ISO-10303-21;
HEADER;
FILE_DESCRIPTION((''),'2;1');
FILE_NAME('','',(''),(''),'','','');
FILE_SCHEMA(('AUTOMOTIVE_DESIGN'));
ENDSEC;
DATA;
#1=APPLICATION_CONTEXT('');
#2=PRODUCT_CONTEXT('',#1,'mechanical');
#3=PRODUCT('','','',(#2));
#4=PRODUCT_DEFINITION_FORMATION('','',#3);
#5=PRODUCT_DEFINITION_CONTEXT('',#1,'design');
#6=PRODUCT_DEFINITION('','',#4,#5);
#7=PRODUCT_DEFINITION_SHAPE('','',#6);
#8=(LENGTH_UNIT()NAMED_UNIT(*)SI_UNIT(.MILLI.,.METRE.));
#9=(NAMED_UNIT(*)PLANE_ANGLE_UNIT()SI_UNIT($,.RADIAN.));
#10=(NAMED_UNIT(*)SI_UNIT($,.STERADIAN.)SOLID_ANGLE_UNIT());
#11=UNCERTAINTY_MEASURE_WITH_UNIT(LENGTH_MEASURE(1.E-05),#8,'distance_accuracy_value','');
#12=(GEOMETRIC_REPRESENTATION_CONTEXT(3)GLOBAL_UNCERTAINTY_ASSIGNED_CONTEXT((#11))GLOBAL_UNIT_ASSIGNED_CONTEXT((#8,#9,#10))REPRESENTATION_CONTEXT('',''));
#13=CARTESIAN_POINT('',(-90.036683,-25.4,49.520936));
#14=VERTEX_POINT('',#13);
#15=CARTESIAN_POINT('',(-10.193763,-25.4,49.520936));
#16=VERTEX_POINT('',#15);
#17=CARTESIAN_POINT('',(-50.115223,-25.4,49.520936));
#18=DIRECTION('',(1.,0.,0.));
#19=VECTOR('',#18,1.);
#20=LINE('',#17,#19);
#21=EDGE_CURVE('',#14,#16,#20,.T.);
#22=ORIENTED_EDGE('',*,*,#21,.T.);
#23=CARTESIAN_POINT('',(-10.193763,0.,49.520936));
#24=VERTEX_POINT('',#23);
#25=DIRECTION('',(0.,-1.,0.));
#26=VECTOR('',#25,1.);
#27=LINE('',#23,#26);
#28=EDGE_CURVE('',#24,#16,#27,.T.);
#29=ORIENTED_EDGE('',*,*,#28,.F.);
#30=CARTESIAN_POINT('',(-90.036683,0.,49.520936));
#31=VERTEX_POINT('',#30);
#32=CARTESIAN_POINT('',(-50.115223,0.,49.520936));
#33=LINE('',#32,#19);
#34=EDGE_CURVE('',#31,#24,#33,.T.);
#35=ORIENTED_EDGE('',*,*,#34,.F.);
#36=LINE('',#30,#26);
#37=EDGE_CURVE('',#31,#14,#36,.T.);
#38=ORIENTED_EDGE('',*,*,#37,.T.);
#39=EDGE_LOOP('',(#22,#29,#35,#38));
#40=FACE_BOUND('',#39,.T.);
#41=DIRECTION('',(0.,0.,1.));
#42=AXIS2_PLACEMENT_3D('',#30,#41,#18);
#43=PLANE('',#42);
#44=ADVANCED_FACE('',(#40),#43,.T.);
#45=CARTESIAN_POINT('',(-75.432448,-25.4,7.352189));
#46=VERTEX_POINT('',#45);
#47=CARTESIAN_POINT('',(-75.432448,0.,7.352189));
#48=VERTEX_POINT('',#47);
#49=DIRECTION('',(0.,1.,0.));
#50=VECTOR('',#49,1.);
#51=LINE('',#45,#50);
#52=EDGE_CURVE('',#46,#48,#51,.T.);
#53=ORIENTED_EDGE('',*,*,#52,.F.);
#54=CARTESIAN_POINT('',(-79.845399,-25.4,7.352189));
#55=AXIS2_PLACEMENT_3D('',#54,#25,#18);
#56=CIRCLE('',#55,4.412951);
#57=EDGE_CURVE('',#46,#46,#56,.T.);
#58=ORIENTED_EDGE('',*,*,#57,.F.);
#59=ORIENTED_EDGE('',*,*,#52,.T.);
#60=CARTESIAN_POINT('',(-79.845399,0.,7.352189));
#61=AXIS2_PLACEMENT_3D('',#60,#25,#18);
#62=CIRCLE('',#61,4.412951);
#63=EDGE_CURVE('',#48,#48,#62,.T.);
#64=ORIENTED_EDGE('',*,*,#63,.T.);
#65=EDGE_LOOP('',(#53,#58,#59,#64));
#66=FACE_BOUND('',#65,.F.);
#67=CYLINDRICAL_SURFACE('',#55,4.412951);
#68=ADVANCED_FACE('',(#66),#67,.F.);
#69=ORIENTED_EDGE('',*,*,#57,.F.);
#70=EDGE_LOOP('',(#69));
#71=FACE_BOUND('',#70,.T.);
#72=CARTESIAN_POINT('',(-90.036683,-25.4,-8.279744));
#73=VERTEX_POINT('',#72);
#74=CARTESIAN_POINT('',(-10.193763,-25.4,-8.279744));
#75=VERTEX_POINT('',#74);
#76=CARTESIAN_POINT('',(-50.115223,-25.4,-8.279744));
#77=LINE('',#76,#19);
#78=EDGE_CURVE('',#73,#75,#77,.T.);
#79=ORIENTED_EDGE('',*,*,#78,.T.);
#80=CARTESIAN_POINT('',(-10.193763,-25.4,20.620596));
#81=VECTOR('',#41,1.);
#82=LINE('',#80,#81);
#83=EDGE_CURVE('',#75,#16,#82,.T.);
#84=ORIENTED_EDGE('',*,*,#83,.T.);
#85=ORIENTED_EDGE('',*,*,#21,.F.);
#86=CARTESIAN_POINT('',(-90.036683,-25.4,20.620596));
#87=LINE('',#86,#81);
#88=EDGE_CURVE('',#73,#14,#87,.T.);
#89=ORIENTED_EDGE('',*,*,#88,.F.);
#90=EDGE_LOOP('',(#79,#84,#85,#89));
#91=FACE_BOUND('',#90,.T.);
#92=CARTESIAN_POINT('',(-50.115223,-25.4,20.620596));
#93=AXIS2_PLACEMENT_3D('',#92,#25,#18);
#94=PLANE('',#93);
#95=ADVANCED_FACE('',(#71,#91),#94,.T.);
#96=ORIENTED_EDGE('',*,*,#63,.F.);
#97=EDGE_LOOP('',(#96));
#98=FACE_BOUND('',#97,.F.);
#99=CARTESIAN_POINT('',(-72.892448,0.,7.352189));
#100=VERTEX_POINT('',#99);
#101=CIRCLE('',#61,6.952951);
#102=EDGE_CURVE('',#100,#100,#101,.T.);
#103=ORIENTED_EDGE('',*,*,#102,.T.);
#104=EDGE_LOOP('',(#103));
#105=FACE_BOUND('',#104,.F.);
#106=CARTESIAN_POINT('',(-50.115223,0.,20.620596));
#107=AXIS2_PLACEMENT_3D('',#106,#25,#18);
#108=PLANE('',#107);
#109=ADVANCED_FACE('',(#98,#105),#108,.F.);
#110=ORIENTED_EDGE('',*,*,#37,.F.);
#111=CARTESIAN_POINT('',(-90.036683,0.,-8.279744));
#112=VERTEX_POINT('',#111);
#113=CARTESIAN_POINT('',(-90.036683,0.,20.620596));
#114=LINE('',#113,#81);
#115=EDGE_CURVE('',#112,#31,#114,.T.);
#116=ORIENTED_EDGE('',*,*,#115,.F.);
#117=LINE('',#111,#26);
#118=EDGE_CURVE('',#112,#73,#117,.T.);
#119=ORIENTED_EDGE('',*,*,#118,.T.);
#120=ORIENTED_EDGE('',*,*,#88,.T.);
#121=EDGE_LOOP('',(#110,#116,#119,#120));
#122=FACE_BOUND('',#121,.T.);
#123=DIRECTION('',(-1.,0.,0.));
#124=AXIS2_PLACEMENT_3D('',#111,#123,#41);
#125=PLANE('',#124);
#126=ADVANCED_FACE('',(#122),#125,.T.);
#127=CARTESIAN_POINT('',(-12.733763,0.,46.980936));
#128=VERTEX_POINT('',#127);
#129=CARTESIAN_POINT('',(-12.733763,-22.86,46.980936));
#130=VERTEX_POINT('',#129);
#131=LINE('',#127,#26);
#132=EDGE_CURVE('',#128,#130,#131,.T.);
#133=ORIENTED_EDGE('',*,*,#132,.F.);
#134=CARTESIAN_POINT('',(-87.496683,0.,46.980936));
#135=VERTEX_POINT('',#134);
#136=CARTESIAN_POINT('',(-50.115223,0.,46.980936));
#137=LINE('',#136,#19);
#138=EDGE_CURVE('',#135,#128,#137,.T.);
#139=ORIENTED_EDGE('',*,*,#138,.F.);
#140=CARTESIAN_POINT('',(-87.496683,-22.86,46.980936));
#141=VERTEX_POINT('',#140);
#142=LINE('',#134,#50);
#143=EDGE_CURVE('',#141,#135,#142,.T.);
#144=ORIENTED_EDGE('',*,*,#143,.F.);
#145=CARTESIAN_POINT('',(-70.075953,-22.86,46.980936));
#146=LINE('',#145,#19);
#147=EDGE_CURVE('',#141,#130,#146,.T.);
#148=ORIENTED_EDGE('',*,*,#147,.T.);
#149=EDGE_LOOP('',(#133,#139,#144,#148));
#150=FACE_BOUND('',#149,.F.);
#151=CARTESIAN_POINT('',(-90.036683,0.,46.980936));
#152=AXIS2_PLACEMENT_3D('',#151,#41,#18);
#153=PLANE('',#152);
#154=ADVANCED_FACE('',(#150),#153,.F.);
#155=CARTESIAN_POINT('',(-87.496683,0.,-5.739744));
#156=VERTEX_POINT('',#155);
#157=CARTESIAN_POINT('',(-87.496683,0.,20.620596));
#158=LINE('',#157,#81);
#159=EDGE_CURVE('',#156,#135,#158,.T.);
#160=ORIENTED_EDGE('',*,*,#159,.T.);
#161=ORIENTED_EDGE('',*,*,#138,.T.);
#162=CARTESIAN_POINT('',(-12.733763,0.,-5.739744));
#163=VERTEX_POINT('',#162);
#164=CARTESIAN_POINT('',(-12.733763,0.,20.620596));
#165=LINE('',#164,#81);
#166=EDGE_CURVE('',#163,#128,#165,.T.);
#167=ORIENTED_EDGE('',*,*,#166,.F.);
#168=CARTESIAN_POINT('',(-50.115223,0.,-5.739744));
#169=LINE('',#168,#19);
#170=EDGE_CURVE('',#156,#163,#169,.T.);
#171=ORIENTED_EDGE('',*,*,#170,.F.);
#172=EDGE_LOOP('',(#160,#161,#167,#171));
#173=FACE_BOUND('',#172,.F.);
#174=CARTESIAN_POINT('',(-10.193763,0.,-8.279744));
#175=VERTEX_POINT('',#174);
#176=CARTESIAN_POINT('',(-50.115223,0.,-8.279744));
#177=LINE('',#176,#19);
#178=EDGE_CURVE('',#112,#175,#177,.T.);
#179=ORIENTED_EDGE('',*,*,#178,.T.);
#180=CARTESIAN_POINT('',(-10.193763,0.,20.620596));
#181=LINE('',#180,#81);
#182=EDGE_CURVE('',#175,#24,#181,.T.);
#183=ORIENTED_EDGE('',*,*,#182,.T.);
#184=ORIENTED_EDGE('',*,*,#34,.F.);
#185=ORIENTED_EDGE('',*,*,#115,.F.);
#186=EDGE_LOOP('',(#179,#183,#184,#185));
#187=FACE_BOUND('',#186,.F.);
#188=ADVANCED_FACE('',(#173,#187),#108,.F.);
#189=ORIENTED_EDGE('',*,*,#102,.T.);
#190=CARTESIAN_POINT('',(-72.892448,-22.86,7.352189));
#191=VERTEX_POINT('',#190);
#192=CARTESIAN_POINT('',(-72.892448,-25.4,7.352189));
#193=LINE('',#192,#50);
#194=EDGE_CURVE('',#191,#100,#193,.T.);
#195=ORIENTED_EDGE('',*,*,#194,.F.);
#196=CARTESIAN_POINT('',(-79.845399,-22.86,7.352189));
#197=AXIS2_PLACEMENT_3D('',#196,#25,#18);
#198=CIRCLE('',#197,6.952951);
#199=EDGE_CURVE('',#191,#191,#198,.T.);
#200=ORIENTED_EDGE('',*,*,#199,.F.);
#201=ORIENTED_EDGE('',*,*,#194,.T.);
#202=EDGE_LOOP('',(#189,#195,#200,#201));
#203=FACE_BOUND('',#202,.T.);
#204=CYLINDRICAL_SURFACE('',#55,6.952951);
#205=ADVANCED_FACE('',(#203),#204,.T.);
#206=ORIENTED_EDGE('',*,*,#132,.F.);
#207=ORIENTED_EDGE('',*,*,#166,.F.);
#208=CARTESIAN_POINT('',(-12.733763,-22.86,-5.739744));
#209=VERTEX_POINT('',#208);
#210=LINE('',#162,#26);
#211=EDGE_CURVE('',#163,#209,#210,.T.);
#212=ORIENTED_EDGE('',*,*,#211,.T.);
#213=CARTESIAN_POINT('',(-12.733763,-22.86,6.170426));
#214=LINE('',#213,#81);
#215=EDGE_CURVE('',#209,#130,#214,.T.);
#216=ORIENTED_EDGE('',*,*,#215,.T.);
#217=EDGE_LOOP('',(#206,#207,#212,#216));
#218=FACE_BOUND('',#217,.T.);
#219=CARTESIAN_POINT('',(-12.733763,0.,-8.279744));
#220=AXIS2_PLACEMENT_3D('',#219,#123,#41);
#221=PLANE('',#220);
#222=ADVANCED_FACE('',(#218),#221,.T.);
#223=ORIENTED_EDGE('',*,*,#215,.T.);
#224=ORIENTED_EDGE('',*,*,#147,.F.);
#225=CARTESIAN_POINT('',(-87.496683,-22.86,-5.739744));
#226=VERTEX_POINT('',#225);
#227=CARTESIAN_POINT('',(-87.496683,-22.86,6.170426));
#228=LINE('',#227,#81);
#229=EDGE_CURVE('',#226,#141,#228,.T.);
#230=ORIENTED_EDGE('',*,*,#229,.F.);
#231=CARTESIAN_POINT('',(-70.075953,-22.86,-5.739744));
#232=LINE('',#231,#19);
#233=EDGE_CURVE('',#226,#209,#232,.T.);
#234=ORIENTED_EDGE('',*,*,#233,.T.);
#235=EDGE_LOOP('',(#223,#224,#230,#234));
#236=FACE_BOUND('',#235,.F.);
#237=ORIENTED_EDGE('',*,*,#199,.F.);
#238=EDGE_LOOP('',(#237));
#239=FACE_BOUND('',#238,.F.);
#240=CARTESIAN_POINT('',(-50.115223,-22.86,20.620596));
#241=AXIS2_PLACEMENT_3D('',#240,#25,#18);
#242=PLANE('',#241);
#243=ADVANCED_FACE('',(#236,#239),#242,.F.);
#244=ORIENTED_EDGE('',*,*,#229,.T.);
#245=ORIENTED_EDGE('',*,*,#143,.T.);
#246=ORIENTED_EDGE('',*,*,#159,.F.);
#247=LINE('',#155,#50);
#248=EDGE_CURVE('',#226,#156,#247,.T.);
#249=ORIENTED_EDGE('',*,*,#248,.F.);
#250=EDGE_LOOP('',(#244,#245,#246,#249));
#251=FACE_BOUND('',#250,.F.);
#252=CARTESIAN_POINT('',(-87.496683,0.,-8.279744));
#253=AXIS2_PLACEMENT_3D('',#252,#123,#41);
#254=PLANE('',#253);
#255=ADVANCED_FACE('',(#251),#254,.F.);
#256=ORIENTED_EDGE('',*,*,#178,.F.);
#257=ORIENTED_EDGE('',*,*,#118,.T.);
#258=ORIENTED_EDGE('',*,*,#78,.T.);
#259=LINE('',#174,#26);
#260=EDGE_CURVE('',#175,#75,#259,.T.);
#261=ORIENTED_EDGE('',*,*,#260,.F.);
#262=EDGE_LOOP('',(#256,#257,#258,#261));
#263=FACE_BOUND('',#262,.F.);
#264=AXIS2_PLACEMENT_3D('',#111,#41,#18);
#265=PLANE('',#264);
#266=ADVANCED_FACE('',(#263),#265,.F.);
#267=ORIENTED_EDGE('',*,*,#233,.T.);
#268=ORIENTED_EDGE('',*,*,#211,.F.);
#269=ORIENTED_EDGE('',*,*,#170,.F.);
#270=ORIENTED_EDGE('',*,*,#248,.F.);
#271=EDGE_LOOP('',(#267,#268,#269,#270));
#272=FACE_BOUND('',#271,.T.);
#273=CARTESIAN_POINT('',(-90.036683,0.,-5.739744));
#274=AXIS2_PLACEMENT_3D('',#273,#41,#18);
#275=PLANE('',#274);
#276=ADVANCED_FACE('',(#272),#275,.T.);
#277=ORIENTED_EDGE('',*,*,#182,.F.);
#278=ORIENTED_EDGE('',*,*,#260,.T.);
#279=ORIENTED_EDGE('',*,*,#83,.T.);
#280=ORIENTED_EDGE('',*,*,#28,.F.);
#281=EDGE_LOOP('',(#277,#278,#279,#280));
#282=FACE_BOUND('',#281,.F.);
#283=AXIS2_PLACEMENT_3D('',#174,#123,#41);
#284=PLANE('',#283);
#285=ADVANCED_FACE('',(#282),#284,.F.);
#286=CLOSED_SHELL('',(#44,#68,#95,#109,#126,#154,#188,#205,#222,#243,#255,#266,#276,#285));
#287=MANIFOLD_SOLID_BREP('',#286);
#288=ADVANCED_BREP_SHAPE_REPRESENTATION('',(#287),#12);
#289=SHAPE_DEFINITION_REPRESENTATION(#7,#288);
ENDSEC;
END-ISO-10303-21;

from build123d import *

# Parameters (mm, degrees)
F0_W     = 79.84292
F0_H     = 57.80068
F1_DEPTH = 25.4
F2_R     = 4.412951
F3_DEPTH = 25.4
F4_T     = -2.54


with BuildPart() as f1:
    # F0 (on Front) → F1 (new body)
    with BuildSketch(Plane.XZ):
        with Locations((-50.115223, 20.620596)):
            Rectangle(F0_W, F0_H)
    extrude(amount=F1_DEPTH)

    # F2 (on face) → F3 (cut)
    with BuildSketch(Plane.XZ.offset(25.4)):
        with Locations((-79.845399, 7.352189)):
            Circle(F2_R)
    extrude(amount=-F3_DEPTH, mode=Mode.SUBTRACT)

    # F4
    f4_openings = [f1.faces().sort_by_distance(p)[0] for p in [
        (-49.715801, 0, 20.798856),
    ]]
    offset(amount=F4_T, openings=f4_openings)


solid = f1.part
